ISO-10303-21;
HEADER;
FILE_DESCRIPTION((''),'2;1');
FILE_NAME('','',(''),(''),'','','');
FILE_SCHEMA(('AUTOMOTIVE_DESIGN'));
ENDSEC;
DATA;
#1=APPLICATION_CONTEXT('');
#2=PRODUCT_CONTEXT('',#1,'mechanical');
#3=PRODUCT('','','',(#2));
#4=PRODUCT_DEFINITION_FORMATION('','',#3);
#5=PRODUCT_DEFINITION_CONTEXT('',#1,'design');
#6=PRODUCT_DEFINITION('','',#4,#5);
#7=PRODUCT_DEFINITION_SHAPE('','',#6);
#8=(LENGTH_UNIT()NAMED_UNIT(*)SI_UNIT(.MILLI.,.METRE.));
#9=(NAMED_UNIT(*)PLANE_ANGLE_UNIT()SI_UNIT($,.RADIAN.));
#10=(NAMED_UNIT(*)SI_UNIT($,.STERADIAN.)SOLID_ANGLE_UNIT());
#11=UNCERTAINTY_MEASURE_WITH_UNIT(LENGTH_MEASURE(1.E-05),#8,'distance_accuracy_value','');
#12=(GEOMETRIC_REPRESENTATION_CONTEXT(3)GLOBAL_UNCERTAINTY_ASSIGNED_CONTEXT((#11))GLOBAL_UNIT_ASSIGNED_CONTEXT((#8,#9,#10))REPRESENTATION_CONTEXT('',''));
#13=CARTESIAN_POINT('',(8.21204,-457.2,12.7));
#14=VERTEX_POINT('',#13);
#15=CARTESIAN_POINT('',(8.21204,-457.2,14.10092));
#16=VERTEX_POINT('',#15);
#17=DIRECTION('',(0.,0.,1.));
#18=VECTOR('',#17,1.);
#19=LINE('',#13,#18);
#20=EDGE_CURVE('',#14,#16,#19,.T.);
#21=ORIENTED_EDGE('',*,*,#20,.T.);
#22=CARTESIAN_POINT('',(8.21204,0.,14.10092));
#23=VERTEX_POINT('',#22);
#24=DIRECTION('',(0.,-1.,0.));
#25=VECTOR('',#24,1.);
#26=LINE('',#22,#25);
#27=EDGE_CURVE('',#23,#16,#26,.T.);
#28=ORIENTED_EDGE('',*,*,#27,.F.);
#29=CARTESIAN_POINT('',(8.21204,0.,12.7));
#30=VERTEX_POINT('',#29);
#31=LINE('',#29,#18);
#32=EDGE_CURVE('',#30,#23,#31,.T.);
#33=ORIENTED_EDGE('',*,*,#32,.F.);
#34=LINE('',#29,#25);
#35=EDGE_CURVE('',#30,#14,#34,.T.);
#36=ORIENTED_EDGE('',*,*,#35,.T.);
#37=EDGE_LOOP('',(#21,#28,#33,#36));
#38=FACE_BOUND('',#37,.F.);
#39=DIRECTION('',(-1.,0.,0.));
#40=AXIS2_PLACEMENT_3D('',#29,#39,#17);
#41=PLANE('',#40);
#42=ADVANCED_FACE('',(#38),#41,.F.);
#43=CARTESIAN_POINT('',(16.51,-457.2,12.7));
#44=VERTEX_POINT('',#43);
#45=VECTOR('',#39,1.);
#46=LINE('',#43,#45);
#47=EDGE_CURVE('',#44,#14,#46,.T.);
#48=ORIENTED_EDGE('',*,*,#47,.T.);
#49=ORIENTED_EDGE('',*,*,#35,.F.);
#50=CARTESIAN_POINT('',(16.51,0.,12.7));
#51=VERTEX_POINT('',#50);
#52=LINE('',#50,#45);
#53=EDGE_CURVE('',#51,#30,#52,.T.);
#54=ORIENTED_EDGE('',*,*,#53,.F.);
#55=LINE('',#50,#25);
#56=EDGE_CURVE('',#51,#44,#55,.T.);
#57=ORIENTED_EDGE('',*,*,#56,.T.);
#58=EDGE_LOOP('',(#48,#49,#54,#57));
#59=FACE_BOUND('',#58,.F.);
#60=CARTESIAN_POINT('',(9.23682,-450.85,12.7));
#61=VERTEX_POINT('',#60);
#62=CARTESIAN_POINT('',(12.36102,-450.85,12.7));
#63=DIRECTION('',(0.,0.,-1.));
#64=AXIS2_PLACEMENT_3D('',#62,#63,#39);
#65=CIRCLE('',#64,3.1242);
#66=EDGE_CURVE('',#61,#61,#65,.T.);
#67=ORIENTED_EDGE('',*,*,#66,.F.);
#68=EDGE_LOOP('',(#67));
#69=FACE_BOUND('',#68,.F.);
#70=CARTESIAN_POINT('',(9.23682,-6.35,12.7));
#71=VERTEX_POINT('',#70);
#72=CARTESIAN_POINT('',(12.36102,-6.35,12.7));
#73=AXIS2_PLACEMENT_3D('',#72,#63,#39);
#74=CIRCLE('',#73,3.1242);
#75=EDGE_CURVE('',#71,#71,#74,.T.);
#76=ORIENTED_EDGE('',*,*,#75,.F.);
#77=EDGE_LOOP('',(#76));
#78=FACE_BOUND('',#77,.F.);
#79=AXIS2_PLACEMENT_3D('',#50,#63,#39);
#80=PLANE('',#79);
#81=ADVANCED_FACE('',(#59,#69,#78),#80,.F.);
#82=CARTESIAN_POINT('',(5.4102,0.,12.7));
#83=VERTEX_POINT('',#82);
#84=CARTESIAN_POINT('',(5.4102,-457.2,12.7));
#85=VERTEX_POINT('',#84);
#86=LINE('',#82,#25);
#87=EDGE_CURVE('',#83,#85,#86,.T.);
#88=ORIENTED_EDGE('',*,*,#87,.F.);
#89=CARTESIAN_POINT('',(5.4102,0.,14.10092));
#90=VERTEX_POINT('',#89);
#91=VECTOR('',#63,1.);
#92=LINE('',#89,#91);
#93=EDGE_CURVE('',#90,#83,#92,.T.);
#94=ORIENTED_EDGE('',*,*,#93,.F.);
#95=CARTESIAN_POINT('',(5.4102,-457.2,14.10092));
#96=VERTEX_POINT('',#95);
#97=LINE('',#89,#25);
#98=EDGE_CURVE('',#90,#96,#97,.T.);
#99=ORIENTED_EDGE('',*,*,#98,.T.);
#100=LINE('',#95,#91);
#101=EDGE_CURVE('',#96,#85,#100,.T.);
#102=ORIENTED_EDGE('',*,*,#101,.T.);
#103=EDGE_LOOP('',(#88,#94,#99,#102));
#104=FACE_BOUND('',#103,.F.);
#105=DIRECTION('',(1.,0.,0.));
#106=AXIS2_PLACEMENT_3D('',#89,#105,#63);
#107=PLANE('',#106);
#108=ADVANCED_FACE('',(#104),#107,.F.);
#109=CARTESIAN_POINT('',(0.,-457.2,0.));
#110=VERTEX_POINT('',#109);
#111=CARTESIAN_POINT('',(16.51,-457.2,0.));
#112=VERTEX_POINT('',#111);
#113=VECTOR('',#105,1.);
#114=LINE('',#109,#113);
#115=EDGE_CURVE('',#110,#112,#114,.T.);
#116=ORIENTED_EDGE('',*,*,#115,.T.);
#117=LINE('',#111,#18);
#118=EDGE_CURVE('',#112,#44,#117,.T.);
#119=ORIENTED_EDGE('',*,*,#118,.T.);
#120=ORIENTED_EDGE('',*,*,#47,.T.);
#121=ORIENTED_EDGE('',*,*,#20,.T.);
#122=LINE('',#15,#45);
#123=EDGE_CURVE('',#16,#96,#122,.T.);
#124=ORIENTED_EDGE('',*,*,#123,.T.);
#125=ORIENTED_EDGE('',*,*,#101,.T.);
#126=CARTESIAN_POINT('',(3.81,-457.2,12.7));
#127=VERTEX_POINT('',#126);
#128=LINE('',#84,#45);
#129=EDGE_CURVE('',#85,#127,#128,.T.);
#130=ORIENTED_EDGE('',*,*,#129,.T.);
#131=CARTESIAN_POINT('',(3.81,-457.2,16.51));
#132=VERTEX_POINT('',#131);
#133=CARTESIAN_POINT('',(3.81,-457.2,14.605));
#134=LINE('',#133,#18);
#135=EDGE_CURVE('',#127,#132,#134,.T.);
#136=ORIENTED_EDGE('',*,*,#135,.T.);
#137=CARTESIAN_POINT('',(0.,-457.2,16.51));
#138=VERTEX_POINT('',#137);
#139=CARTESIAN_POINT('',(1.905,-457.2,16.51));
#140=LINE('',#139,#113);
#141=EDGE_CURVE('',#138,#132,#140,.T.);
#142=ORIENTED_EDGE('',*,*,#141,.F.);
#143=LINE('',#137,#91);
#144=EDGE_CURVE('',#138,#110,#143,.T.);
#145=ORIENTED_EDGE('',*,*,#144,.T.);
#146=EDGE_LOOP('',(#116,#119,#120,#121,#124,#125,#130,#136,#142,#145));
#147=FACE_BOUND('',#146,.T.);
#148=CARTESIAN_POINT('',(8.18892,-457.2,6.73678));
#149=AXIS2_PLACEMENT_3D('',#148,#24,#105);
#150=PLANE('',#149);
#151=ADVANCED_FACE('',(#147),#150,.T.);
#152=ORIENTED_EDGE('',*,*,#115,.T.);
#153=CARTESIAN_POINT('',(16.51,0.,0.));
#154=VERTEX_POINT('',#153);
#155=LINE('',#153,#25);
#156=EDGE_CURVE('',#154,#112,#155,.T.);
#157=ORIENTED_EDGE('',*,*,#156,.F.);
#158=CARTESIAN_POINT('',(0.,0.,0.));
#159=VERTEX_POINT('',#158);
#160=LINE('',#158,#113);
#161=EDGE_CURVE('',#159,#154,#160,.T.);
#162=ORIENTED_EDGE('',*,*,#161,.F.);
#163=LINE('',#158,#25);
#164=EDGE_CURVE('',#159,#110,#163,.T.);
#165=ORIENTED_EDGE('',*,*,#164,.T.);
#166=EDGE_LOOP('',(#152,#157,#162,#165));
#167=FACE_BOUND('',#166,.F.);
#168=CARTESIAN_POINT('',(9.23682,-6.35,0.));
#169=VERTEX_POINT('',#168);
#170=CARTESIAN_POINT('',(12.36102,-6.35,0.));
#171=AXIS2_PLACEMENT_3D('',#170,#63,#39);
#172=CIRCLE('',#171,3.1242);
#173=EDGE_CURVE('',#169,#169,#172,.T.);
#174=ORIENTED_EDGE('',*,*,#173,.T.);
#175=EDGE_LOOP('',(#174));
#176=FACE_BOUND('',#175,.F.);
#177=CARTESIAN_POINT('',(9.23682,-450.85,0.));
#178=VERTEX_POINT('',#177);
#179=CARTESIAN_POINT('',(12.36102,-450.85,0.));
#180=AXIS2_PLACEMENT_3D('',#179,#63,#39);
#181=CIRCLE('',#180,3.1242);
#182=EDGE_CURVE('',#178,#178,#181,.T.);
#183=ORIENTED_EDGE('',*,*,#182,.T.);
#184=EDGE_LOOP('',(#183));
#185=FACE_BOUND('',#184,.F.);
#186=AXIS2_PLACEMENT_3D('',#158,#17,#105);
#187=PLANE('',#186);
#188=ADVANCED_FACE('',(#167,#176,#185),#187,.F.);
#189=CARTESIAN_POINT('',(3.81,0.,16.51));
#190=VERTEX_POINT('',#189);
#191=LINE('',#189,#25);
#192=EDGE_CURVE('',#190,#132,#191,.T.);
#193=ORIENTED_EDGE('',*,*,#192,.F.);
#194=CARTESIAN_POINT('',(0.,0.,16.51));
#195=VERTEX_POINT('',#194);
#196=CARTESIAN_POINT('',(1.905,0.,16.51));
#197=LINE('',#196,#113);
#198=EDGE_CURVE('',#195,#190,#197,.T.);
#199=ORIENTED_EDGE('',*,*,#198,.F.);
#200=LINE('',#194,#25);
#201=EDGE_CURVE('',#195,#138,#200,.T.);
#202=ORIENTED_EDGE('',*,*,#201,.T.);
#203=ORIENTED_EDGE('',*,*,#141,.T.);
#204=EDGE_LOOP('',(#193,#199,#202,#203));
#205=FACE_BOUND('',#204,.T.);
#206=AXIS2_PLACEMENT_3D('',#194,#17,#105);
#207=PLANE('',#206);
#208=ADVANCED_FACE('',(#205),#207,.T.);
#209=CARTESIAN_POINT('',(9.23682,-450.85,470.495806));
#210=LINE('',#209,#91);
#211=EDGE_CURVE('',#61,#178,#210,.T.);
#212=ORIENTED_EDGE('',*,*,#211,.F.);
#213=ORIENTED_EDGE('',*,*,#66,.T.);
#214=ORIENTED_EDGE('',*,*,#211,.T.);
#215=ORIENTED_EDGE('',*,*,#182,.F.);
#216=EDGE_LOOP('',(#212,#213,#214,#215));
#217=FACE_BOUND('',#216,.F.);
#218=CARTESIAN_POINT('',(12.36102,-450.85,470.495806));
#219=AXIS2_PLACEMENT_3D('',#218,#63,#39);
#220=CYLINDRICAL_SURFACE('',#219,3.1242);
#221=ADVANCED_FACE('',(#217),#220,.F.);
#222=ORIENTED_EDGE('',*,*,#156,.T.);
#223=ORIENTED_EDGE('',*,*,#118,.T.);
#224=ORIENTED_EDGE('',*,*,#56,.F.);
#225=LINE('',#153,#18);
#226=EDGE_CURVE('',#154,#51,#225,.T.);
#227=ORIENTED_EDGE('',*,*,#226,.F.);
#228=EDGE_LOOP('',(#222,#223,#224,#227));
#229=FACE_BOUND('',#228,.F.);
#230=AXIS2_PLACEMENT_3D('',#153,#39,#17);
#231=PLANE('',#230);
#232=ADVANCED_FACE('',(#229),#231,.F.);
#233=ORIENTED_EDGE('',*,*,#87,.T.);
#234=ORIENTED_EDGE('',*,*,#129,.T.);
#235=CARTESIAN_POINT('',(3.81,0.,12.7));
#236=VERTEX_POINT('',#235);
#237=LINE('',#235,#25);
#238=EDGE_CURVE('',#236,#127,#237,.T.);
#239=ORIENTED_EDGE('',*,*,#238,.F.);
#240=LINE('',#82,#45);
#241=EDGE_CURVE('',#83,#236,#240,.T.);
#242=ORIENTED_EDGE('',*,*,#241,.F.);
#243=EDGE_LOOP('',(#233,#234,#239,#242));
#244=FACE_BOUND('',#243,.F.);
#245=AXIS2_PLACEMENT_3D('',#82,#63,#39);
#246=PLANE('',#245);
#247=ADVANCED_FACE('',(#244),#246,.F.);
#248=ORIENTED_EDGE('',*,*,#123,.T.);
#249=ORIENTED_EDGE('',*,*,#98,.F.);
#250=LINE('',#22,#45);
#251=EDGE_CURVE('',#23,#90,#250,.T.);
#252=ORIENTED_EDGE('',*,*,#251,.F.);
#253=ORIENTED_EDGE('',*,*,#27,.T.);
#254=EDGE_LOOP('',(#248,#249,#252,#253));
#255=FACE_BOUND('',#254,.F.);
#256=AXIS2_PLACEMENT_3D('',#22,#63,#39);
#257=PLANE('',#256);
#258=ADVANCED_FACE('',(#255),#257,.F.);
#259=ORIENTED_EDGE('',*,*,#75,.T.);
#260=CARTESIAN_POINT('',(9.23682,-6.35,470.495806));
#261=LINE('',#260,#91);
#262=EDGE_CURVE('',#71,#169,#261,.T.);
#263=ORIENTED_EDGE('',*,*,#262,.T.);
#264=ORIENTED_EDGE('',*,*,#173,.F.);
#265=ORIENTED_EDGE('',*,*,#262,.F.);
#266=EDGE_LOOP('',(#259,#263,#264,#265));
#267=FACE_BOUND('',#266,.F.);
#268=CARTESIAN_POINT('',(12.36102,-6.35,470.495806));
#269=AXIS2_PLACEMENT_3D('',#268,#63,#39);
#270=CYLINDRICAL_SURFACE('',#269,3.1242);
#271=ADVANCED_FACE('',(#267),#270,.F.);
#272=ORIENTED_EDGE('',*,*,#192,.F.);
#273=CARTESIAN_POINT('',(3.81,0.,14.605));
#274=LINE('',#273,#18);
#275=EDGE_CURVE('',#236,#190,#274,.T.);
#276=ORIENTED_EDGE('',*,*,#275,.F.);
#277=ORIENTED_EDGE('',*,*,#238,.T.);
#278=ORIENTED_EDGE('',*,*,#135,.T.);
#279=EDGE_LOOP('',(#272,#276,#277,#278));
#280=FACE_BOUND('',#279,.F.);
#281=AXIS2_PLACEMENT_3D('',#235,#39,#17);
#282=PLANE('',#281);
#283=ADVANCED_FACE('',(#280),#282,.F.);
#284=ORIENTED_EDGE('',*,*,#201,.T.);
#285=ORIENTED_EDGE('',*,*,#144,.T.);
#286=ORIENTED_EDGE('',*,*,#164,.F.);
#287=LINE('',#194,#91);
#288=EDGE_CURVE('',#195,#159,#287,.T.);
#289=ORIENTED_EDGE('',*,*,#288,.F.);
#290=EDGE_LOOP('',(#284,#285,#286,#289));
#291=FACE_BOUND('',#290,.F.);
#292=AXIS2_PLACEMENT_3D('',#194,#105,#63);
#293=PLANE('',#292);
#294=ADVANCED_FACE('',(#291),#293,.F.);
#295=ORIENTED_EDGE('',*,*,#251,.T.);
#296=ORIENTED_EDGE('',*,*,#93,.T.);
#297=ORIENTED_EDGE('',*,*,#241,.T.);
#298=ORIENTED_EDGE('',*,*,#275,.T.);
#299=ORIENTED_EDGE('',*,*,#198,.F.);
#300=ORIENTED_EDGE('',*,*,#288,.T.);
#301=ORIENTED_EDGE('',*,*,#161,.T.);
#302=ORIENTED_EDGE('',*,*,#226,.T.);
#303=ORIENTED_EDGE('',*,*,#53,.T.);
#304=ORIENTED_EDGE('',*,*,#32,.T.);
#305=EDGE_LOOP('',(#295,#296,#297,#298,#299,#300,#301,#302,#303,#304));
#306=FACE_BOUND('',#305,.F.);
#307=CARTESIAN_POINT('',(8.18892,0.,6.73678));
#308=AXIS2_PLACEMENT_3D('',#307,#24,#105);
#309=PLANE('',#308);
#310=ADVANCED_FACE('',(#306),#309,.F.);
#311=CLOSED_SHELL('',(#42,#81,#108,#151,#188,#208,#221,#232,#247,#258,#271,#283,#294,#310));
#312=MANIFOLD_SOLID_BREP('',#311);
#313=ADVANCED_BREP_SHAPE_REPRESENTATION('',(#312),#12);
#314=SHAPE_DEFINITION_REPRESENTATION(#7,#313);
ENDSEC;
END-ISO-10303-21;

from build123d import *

# Parameters (mm, degrees)
F0_W     = 3.81
F0_H     = 3.81
F1_DEPTH = 457.2
F3_D     = 6.2484


with BuildPart() as f1:
    # F0 (on Front) → F1 (new body)
    with BuildSketch(Plane.XZ):
        Polygon((0, 12.7), (0, 0), (16.51, 0), (16.51, 12.7), (8.2120399096, 12.7), (8.2120399096, 14.1009199548), (5.4102, 14.1009199548), (5.4102, 12.7), (3.81, 12.7), align=None)
        with Locations((1.905, 14.605)):
            Rectangle(F0_W, F0_H)
    extrude(amount=F1_DEPTH)

    # F3 (through all)
    with Locations(Plane.XY.offset(12.7)):
        with Locations((12.3610199548, -6.35), (12.3610199548, -450.85)):
            Hole(F3_D / 2)


solid = f1.part
